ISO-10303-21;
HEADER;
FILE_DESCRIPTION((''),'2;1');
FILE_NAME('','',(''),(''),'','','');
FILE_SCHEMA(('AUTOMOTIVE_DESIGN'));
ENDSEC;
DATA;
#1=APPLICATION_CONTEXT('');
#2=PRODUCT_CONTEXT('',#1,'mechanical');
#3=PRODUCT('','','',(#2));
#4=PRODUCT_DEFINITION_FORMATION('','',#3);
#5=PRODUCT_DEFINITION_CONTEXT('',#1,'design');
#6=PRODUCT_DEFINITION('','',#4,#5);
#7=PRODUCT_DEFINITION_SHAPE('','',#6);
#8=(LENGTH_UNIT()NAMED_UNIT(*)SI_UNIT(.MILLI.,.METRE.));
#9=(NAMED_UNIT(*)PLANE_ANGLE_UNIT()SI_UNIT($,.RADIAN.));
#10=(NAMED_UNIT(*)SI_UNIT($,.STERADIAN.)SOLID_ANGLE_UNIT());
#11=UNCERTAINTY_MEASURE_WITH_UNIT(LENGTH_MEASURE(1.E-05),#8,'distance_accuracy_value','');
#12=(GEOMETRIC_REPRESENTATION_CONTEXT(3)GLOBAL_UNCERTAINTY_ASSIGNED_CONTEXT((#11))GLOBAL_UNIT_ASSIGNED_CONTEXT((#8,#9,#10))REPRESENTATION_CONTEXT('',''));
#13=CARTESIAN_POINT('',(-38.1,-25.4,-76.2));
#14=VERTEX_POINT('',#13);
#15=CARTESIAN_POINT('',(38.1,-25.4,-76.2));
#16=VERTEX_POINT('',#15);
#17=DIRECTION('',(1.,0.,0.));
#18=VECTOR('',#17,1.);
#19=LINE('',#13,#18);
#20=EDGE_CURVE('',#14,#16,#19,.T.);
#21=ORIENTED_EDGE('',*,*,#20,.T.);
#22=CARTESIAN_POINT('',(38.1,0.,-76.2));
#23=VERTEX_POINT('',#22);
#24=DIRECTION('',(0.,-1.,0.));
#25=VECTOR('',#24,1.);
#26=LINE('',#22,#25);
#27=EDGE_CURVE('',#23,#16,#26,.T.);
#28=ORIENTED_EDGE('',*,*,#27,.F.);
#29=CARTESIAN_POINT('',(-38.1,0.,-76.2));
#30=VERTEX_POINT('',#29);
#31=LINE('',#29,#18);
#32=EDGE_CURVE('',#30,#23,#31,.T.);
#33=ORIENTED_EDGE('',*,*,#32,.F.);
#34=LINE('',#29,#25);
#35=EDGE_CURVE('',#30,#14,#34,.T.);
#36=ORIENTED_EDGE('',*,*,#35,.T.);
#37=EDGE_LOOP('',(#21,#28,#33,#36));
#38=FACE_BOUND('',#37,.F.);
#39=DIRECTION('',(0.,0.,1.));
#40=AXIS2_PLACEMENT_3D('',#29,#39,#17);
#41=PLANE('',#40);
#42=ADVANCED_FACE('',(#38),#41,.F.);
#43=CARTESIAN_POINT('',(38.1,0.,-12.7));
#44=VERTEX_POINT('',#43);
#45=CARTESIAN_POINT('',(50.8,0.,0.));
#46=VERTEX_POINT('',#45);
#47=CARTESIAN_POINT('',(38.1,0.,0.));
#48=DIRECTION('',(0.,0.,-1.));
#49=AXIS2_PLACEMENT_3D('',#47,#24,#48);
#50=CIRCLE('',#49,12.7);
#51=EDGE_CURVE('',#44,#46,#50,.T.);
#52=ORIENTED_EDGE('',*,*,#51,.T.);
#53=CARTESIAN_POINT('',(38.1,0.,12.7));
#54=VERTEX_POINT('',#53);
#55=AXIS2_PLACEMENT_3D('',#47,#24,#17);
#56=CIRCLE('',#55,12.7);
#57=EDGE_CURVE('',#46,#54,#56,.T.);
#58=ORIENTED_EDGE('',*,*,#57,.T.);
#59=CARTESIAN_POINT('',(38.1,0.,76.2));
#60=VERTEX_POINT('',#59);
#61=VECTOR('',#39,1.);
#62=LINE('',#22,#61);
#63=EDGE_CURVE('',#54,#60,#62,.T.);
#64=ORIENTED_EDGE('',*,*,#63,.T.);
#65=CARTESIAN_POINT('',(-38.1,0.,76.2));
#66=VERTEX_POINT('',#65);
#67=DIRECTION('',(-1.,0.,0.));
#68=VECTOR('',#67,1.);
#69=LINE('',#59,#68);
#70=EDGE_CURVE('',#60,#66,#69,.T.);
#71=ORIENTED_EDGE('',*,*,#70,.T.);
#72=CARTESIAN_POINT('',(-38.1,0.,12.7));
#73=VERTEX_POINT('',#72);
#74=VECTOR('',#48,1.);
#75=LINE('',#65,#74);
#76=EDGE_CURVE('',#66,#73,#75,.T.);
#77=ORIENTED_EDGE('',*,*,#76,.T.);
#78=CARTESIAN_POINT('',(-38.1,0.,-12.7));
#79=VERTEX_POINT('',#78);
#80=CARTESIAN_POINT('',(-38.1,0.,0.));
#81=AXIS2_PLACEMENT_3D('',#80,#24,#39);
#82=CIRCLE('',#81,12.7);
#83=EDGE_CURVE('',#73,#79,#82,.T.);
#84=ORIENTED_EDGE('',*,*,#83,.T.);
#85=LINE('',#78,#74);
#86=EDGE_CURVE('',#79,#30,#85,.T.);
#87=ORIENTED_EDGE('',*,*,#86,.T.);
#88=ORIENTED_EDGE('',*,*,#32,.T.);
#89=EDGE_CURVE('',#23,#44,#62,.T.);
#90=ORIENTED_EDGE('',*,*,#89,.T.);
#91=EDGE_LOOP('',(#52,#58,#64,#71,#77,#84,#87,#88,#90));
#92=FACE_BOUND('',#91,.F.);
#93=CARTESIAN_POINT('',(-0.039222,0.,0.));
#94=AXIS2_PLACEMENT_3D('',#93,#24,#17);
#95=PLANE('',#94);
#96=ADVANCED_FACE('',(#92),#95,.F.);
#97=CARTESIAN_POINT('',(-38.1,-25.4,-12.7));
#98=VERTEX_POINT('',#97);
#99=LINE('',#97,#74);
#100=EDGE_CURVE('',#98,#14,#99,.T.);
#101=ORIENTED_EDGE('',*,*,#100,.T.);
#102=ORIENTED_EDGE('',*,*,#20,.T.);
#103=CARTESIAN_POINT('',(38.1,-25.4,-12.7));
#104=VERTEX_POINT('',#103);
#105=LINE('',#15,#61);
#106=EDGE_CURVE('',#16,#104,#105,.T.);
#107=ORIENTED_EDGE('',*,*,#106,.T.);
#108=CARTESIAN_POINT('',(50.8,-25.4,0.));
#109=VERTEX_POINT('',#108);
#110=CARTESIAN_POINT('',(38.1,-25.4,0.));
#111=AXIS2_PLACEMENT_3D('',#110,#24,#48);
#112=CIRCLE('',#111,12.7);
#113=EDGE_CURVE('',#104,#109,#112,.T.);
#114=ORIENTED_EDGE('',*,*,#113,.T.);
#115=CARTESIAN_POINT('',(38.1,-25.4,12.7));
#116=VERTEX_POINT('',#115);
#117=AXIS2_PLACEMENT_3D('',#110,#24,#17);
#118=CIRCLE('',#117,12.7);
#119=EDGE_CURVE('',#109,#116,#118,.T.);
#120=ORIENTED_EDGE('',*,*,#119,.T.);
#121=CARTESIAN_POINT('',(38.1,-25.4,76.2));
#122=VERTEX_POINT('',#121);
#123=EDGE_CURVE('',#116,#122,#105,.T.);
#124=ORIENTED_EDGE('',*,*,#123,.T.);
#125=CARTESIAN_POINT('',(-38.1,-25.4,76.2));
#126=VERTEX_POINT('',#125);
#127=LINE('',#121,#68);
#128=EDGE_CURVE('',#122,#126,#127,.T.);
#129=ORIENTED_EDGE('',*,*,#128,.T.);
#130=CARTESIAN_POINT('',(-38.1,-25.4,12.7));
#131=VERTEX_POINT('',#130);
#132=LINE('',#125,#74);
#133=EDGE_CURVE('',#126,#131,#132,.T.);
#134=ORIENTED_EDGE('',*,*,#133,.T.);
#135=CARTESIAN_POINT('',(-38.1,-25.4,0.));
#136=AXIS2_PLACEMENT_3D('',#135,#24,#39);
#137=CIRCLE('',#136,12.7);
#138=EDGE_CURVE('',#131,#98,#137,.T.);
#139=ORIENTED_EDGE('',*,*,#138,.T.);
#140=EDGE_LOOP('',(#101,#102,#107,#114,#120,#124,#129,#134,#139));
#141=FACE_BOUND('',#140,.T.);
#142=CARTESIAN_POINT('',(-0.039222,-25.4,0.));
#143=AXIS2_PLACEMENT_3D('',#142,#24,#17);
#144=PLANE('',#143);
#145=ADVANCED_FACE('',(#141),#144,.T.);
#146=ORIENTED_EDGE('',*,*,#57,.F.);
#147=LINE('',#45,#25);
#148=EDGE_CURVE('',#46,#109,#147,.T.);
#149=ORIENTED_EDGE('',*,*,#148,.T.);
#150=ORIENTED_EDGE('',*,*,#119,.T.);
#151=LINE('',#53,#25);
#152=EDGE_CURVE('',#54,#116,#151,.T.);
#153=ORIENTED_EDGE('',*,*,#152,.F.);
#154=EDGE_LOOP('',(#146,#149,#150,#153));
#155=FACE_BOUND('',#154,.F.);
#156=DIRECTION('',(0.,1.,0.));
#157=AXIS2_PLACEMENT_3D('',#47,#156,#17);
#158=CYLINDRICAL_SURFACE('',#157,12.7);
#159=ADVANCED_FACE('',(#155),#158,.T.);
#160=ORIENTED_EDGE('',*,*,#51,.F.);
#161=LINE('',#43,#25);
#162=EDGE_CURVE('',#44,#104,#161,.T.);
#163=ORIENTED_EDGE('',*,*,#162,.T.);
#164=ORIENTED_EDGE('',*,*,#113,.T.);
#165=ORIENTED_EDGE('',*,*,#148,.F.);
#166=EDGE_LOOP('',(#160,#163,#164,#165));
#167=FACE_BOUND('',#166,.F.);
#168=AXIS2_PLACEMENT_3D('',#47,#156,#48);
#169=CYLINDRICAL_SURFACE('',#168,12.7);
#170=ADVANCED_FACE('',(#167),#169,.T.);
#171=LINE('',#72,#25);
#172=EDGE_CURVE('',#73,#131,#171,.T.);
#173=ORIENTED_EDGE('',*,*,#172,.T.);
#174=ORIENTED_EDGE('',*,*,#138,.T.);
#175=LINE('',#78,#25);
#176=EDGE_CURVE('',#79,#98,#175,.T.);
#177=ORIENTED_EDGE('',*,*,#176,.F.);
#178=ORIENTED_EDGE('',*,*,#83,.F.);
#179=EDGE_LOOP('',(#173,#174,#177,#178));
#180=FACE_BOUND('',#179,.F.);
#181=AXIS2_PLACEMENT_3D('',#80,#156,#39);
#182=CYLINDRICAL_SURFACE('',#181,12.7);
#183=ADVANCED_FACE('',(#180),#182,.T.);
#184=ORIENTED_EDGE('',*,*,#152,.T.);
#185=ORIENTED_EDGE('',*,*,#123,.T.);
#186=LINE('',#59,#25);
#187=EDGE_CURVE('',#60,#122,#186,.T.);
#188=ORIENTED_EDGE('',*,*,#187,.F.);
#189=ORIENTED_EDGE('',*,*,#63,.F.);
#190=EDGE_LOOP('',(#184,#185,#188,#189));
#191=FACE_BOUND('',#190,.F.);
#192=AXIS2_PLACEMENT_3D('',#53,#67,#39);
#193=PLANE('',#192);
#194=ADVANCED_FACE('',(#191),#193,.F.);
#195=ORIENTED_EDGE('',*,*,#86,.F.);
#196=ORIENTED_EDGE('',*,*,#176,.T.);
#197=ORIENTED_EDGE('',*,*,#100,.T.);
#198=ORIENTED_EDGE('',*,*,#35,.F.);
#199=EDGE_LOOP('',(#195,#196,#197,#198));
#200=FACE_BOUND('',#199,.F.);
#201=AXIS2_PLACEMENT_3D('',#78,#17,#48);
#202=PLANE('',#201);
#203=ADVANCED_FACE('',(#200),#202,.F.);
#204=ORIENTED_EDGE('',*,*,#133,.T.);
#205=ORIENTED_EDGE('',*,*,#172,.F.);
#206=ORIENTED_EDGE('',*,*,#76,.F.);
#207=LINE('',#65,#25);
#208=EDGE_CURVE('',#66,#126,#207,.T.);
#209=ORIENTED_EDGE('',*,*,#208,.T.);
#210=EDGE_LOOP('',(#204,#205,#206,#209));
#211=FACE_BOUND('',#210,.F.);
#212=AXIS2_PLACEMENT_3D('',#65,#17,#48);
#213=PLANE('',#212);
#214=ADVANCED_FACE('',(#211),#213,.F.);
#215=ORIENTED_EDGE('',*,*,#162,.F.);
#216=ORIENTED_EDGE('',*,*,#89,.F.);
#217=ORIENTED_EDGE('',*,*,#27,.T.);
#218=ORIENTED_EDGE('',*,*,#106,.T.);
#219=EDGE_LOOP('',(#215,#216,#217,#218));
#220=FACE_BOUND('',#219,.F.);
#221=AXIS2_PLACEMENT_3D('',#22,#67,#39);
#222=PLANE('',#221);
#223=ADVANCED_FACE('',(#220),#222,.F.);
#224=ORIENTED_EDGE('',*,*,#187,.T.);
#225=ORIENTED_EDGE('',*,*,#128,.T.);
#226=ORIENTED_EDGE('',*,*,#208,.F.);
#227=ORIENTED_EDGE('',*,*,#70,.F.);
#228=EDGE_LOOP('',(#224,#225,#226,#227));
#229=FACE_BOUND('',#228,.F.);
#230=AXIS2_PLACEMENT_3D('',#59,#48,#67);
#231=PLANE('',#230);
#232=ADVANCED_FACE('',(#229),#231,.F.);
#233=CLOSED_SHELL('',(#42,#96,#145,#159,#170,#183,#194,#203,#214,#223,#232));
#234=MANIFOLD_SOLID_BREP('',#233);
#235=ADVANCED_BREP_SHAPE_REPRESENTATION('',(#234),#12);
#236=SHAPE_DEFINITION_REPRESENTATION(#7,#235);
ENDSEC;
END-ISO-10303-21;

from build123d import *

# Parameters (mm, degrees)
F1_DEPTH = 25.4


with BuildPart() as f1:
    # F0 (on Front) → F1 (new body)
    with BuildSketch(Plane.XZ):
        with BuildLine():
            Line((-38.1, -76.2), (38.1, -76.2))
            Line((38.1, -76.2), (38.1, -12.7))
            ThreePointArc((38.1, -12.7), (25.4, 0), (38.1, 12.7))
            Line((38.1, 12.7), (38.1, 76.2))
            Line((38.1, 76.2), (-38.1, 76.2))
            Line((-38.1, 76.2), (-38.1, 12.7))
            ThreePointArc((-38.1, 12.7), (-29.1197438789, 8.9802561211), (-25.4, 0))
            ThreePointArc((-25.4, 0), (-29.1197438789, -8.9802561211), (-38.1, -12.7))
            Line((-38.1, -12.7), (-38.1, -76.2))
        make_face()
        with BuildLine():
            ThreePointArc((38.1, 12.7), (25.4, 0), (38.1, -12.7))
            Line((38.1, -12.7), (38.1, 12.7))
        make_face()
        with BuildLine():
            Line((38.1, 12.7), (38.1, -12.7))
            ThreePointArc((38.1, -12.7), (47.0802561211, -8.9802561211), (50.8, 0))
            ThreePointArc((50.8, 0), (47.0802561211, 8.9802561211), (38.1, 12.7))
        make_face()
        with BuildLine():
            ThreePointArc((-38.1, 12.7), (-50.8, 0), (-38.1, -12.7))
            Line((-38.1, -12.7), (-38.1, 12.7))
        make_face()
        with BuildLine():
            Line((-38.1, 12.7), (-38.1, -12.7))
            ThreePointArc((-38.1, -12.7), (-29.1197438789, -8.9802561211), (-25.4, 0))
            ThreePointArc((-25.4, 0), (-29.1197438789, 8.9802561211), (-38.1, 12.7))
        make_face()
    extrude(amount=F1_DEPTH)


solid = f1.part
